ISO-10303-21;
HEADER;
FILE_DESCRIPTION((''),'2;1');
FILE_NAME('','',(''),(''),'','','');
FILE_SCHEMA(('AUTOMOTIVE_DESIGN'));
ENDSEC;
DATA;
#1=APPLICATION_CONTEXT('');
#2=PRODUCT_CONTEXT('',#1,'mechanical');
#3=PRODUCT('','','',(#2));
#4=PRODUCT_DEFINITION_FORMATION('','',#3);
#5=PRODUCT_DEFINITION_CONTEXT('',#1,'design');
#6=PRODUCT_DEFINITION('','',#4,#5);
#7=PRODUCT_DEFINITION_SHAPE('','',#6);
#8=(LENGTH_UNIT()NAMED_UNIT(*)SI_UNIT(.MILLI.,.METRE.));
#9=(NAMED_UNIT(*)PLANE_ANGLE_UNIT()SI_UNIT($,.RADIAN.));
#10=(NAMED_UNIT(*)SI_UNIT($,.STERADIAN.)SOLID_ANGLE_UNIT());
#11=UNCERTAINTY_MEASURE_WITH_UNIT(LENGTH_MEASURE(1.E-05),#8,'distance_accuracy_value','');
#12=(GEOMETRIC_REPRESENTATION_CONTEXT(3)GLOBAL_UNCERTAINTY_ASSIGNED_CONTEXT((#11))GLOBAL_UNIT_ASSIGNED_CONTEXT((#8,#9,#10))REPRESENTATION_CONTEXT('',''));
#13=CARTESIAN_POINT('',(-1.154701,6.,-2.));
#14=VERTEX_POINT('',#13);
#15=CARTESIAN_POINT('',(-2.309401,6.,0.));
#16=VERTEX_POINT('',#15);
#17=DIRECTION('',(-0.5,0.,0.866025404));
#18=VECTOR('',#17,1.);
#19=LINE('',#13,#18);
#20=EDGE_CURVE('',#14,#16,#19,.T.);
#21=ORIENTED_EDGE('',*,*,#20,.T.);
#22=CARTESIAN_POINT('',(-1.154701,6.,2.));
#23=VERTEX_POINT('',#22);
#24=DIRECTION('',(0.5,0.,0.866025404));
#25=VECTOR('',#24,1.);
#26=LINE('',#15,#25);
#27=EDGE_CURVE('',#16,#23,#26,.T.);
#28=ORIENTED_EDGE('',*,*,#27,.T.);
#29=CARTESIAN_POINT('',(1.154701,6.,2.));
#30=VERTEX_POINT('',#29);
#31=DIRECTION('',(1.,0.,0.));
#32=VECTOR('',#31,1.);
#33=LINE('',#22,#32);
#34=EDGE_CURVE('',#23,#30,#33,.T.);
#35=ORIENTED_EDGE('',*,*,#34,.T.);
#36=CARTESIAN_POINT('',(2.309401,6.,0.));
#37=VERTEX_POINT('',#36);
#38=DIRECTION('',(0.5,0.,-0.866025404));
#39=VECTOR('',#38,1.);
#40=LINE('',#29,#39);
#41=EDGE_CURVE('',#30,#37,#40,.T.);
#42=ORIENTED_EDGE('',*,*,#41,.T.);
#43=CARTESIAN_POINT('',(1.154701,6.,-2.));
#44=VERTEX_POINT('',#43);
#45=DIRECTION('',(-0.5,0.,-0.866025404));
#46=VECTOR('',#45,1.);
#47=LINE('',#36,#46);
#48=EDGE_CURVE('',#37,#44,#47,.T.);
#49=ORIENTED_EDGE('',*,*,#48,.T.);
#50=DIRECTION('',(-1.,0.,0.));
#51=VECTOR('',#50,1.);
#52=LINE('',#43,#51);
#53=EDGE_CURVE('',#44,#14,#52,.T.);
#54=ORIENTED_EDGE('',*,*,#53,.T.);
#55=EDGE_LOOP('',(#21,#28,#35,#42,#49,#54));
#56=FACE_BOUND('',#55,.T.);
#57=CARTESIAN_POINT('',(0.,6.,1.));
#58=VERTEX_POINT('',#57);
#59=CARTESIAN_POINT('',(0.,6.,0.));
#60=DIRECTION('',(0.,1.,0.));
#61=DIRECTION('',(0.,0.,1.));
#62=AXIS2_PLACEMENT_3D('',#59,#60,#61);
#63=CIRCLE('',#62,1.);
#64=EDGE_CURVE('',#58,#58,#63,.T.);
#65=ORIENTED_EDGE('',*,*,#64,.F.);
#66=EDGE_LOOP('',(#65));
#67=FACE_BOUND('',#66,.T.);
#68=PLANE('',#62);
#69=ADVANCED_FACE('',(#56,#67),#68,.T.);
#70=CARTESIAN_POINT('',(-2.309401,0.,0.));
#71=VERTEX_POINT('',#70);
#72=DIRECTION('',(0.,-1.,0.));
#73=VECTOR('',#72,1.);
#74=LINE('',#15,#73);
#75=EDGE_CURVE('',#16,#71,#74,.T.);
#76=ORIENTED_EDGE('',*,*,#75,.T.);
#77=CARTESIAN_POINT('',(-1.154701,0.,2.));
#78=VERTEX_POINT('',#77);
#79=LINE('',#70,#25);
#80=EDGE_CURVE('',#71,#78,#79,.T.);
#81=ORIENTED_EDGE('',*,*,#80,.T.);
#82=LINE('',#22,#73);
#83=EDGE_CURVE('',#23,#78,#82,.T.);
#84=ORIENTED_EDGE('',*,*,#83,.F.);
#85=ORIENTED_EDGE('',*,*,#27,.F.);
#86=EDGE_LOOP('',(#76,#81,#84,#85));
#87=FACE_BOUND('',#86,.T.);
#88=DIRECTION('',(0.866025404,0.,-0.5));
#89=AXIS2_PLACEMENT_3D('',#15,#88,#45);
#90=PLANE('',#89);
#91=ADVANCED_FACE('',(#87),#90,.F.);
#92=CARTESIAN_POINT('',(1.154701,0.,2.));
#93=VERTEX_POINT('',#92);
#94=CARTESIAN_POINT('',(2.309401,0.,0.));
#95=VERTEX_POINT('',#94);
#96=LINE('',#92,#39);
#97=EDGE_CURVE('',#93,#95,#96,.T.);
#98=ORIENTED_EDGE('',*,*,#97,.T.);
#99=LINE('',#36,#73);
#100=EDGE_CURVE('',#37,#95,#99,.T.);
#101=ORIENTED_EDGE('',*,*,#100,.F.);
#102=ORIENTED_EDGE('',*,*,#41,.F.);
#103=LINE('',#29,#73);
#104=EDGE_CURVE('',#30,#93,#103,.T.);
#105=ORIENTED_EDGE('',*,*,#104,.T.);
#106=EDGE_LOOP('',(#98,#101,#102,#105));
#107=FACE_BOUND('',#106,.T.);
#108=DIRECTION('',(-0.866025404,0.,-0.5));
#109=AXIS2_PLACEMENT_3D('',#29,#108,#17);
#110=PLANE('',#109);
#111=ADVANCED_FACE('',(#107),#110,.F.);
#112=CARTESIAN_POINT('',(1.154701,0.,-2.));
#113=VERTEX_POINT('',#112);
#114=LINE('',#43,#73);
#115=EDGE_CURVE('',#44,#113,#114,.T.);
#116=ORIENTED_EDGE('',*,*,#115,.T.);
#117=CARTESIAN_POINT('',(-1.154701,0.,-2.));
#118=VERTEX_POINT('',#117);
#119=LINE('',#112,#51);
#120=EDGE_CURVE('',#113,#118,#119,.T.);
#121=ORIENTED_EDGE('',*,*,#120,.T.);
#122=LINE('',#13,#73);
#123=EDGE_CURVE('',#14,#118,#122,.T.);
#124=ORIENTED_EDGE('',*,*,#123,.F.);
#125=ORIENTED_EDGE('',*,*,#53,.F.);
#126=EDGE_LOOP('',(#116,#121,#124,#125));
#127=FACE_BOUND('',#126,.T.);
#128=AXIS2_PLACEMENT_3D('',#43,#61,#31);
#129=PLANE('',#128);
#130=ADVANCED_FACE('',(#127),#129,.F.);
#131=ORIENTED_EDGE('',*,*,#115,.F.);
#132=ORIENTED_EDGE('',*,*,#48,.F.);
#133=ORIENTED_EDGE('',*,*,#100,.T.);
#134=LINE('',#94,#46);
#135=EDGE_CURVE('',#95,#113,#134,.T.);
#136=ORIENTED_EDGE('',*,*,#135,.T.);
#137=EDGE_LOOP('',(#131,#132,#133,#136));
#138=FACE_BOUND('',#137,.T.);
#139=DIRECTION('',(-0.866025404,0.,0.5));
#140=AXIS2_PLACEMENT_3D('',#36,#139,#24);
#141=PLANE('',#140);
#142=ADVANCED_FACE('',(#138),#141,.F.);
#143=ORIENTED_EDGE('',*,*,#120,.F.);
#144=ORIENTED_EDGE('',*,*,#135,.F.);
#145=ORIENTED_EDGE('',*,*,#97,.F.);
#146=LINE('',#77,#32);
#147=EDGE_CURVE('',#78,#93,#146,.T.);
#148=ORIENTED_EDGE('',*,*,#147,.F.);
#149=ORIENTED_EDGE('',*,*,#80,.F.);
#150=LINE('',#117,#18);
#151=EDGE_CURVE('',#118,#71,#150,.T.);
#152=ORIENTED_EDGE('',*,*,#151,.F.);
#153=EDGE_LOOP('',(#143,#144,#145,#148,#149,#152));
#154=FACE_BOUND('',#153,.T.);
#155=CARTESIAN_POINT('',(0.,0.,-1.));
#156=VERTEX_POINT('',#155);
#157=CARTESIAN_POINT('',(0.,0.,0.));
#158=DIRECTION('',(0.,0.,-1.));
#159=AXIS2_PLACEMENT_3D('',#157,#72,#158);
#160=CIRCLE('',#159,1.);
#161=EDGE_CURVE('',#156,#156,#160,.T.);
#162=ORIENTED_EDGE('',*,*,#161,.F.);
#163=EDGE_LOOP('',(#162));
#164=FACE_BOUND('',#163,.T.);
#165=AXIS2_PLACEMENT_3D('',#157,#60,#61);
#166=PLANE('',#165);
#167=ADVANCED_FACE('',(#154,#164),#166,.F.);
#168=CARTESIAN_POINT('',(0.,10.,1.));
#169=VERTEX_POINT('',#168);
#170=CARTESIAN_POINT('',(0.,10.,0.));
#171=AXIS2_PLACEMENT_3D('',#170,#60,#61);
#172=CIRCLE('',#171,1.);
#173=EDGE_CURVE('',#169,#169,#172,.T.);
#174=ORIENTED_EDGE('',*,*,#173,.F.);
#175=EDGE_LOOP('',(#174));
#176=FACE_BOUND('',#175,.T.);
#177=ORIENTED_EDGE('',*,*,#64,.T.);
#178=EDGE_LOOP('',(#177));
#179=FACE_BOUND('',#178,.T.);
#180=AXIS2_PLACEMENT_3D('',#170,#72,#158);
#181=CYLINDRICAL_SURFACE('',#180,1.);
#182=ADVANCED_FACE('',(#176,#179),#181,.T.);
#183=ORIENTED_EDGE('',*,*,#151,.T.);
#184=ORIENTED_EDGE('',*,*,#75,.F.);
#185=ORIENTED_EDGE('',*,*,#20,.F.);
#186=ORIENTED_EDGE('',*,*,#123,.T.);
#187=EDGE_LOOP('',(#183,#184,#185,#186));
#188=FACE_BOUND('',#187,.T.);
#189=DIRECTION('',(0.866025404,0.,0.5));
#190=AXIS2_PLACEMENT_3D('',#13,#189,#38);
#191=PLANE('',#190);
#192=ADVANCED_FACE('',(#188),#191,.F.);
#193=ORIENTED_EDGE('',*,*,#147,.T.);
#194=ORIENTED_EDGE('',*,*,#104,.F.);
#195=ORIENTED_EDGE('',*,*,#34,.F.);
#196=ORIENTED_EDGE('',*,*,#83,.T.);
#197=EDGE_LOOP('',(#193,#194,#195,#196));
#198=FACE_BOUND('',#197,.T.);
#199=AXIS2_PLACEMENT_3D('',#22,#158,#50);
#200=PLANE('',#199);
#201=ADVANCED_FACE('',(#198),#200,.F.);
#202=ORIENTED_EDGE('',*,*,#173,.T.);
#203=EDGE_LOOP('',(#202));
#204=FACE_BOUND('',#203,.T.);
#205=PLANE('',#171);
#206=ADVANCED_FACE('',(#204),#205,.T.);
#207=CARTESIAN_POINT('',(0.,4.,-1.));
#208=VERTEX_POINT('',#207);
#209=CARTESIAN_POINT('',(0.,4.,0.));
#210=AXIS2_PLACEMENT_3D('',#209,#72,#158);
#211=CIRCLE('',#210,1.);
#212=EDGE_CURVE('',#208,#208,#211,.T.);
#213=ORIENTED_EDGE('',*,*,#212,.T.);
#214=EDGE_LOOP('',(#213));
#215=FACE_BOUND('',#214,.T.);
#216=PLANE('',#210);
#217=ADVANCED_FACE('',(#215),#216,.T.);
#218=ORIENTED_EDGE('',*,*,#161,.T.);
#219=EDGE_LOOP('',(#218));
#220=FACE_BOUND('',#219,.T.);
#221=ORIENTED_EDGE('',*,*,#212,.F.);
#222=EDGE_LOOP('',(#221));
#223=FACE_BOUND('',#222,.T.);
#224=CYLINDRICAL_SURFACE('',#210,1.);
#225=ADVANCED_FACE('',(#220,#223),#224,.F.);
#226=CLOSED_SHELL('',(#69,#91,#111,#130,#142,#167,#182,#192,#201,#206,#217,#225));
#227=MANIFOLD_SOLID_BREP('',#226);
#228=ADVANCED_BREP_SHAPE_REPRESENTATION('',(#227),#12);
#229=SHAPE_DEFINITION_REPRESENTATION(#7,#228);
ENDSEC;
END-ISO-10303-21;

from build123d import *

# Parameters (mm, degrees)
EXTRUDE_1_DEPTH     = 6
SKETCH_2_R          = 1
EXTRUDE_2_DEPTH     = 4
SKETCH_3_R          = 1
CUT_EXTRUDE_1_DEPTH = 4


with BuildPart() as part:
    # 草图1 → 凸台-拉伸1 (new body)
    with BuildSketch(Plane(origin=(0, 0, 0), x_dir=(1, 0, 0), z_dir=(0, 1, 0))):
        Polygon((2.309401077, 0), (1.154700538, 2), (-1.154700538, 2), (-2.309401077, 0), (-1.154700538, -2), (1.154700538, -2), align=None)
    extrude(amount=EXTRUDE_1_DEPTH)

    # 草图2 → 凸台-拉伸2 (add)
    with BuildSketch(Plane(origin=(0, 6, 0), x_dir=(1, 0, 0), z_dir=(0, 1, 0))):
        with Locations(Location((0, 0, 0), (0, 0, 270))):
            Circle(SKETCH_2_R)
    extrude(amount=EXTRUDE_2_DEPTH)

    # 草图3 → 切除-拉伸1 (cut)
    with BuildSketch(Plane.XZ):
        with Locations(Location((0, 0, 0), (0, 0, 90))):
            Circle(SKETCH_3_R)
    extrude(amount=-CUT_EXTRUDE_1_DEPTH, mode=Mode.SUBTRACT)


solid = part.part
